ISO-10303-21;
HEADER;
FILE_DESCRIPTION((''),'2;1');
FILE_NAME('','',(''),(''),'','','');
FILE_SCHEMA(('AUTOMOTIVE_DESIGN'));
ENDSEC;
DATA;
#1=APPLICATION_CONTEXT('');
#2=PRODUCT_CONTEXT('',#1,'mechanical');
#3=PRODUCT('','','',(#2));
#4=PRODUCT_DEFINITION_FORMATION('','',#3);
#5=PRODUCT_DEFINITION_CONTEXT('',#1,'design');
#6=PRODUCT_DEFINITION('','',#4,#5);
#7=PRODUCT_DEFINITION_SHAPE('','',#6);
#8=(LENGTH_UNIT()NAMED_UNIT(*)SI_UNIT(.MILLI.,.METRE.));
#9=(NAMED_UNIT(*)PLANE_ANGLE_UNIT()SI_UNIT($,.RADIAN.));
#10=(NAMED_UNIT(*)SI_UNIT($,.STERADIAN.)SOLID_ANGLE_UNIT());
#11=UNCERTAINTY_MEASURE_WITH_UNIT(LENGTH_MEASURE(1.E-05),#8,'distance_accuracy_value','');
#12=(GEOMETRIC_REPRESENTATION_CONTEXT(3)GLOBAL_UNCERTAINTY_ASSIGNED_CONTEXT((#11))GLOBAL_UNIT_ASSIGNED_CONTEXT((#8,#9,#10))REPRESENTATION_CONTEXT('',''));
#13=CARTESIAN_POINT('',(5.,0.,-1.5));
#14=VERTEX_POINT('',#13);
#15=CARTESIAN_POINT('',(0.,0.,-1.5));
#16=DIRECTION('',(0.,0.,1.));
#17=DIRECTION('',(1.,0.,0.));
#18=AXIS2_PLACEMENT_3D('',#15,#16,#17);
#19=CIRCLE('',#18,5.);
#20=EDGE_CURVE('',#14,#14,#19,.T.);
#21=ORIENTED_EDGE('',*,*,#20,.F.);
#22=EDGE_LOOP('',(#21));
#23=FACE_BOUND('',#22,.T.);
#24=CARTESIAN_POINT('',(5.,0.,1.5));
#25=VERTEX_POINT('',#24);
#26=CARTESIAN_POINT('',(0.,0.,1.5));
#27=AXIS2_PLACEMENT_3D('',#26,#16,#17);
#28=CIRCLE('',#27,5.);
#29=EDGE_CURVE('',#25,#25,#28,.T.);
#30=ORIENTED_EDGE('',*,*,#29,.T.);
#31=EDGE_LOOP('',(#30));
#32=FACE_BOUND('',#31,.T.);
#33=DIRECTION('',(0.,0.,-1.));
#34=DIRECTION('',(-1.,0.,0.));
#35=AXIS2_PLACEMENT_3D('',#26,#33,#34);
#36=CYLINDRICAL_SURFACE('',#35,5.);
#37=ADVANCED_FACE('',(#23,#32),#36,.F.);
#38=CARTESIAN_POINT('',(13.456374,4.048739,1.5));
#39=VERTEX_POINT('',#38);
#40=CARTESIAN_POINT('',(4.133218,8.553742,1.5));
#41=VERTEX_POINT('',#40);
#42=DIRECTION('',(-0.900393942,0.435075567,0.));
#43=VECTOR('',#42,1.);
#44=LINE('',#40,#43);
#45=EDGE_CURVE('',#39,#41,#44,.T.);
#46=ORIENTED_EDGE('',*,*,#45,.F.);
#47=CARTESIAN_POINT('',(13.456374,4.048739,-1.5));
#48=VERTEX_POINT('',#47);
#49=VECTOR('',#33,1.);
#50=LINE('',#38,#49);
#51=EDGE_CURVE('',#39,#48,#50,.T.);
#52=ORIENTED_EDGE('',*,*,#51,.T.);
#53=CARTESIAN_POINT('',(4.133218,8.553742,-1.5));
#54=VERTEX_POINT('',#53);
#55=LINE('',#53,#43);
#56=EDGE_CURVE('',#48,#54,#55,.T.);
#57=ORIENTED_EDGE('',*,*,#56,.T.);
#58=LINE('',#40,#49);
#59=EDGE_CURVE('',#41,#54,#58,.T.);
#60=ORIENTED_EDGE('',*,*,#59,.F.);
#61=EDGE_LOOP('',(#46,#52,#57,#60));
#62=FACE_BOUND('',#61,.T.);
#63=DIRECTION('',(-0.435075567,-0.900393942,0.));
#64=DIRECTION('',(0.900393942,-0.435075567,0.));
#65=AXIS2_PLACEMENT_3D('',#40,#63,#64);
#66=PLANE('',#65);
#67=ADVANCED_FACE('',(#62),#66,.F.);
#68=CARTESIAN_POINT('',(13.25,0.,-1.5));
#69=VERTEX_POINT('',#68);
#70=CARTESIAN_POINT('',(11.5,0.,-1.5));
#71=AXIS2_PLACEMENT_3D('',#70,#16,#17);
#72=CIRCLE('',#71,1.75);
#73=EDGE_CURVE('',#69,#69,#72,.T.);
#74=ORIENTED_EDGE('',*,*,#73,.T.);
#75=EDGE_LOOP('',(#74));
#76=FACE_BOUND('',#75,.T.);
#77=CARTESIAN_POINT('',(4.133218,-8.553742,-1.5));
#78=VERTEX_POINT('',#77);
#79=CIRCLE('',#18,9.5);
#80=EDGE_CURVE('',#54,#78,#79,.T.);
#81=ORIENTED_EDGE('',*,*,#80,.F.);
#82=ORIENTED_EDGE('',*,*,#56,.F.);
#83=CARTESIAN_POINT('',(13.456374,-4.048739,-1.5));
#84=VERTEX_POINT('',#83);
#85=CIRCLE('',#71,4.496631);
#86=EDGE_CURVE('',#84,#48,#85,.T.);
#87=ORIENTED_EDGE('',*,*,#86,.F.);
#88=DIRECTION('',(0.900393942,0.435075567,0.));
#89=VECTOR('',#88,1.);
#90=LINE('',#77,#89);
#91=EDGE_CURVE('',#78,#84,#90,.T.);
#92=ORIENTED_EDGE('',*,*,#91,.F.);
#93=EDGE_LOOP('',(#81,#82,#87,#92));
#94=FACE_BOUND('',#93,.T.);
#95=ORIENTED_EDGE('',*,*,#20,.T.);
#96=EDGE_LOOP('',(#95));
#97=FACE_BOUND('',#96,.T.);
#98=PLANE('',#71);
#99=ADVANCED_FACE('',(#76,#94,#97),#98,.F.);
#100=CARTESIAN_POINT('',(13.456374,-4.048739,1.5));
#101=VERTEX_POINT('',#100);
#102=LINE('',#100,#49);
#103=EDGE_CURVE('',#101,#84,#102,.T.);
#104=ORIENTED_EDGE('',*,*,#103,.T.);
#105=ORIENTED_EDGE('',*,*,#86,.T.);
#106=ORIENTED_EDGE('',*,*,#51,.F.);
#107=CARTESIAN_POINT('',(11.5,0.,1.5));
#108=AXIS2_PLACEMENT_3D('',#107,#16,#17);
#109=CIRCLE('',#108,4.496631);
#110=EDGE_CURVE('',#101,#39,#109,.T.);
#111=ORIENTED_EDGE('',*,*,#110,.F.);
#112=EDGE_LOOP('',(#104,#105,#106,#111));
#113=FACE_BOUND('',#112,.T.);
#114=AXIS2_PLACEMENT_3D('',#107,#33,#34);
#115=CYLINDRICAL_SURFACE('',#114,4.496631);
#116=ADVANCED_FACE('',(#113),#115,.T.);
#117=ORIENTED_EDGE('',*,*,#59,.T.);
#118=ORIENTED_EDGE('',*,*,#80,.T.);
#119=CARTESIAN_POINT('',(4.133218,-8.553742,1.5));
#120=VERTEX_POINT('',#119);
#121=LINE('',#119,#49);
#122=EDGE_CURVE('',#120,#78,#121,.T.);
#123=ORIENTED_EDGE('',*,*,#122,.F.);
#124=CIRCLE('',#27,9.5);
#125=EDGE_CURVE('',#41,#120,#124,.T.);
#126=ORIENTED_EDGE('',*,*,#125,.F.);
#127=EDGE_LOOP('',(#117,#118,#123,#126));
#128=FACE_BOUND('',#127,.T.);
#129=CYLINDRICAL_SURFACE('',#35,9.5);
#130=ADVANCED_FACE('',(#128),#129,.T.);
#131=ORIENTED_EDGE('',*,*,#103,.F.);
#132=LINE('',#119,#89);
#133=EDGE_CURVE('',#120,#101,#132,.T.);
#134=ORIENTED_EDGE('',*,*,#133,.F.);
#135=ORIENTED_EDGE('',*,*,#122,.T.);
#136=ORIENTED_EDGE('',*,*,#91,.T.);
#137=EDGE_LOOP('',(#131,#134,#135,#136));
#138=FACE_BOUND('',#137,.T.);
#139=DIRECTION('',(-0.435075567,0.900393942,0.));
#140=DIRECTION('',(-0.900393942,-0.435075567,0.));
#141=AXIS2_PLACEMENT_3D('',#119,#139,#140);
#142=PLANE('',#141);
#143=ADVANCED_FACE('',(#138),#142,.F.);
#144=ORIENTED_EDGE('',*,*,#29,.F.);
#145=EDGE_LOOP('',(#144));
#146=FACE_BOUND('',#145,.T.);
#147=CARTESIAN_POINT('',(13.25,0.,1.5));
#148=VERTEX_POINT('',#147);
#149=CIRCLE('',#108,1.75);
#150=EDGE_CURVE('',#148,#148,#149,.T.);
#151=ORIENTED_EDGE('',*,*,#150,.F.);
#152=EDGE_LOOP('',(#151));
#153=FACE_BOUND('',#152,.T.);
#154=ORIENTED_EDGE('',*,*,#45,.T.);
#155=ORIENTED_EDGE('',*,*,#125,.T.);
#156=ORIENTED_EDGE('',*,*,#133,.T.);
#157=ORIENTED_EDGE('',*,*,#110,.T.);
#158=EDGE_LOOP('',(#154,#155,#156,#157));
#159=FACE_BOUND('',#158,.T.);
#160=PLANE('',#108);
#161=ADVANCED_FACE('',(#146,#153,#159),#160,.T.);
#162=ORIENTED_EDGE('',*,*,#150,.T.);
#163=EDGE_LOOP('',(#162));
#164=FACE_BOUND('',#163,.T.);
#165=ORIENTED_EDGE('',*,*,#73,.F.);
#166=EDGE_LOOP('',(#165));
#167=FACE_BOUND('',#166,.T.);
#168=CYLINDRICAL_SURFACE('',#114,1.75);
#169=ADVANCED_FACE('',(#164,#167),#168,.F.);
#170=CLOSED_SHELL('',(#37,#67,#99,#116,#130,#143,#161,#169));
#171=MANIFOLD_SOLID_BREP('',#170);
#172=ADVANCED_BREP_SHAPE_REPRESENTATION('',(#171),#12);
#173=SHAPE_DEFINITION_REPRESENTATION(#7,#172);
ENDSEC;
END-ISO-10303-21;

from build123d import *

# Parameters (mm, degrees)
SKETCH1_R           = 5
SKETCH1_R_2         = 1.75
BOSS_EXTRUDE1_DEPTH = 1.5


with BuildPart() as part:
    # Sketch1 → Boss-Extrude1 (new, symmetric)
    with BuildSketch(Plane.XY):
        with BuildLine():
            Line((4.133217888, 8.55374245), (13.456374273, 4.048739292))
            ThreePointArc((13.456374273, 4.048739292), (15.996630978, 0), (13.456374273, -4.048739292))
            Line((13.456374273, -4.048739292), (4.133217888, -8.55374245))
            ThreePointArc((4.133217888, -8.55374245), (-9.5, 0), (4.133217888, 8.55374245))
        make_face()
        Circle(SKETCH1_R, mode=Mode.SUBTRACT)
        with Locations((11.5, 0)):
            Circle(SKETCH1_R_2, mode=Mode.SUBTRACT)
    extrude(amount=BOSS_EXTRUDE1_DEPTH, both=True)


solid = part.part
